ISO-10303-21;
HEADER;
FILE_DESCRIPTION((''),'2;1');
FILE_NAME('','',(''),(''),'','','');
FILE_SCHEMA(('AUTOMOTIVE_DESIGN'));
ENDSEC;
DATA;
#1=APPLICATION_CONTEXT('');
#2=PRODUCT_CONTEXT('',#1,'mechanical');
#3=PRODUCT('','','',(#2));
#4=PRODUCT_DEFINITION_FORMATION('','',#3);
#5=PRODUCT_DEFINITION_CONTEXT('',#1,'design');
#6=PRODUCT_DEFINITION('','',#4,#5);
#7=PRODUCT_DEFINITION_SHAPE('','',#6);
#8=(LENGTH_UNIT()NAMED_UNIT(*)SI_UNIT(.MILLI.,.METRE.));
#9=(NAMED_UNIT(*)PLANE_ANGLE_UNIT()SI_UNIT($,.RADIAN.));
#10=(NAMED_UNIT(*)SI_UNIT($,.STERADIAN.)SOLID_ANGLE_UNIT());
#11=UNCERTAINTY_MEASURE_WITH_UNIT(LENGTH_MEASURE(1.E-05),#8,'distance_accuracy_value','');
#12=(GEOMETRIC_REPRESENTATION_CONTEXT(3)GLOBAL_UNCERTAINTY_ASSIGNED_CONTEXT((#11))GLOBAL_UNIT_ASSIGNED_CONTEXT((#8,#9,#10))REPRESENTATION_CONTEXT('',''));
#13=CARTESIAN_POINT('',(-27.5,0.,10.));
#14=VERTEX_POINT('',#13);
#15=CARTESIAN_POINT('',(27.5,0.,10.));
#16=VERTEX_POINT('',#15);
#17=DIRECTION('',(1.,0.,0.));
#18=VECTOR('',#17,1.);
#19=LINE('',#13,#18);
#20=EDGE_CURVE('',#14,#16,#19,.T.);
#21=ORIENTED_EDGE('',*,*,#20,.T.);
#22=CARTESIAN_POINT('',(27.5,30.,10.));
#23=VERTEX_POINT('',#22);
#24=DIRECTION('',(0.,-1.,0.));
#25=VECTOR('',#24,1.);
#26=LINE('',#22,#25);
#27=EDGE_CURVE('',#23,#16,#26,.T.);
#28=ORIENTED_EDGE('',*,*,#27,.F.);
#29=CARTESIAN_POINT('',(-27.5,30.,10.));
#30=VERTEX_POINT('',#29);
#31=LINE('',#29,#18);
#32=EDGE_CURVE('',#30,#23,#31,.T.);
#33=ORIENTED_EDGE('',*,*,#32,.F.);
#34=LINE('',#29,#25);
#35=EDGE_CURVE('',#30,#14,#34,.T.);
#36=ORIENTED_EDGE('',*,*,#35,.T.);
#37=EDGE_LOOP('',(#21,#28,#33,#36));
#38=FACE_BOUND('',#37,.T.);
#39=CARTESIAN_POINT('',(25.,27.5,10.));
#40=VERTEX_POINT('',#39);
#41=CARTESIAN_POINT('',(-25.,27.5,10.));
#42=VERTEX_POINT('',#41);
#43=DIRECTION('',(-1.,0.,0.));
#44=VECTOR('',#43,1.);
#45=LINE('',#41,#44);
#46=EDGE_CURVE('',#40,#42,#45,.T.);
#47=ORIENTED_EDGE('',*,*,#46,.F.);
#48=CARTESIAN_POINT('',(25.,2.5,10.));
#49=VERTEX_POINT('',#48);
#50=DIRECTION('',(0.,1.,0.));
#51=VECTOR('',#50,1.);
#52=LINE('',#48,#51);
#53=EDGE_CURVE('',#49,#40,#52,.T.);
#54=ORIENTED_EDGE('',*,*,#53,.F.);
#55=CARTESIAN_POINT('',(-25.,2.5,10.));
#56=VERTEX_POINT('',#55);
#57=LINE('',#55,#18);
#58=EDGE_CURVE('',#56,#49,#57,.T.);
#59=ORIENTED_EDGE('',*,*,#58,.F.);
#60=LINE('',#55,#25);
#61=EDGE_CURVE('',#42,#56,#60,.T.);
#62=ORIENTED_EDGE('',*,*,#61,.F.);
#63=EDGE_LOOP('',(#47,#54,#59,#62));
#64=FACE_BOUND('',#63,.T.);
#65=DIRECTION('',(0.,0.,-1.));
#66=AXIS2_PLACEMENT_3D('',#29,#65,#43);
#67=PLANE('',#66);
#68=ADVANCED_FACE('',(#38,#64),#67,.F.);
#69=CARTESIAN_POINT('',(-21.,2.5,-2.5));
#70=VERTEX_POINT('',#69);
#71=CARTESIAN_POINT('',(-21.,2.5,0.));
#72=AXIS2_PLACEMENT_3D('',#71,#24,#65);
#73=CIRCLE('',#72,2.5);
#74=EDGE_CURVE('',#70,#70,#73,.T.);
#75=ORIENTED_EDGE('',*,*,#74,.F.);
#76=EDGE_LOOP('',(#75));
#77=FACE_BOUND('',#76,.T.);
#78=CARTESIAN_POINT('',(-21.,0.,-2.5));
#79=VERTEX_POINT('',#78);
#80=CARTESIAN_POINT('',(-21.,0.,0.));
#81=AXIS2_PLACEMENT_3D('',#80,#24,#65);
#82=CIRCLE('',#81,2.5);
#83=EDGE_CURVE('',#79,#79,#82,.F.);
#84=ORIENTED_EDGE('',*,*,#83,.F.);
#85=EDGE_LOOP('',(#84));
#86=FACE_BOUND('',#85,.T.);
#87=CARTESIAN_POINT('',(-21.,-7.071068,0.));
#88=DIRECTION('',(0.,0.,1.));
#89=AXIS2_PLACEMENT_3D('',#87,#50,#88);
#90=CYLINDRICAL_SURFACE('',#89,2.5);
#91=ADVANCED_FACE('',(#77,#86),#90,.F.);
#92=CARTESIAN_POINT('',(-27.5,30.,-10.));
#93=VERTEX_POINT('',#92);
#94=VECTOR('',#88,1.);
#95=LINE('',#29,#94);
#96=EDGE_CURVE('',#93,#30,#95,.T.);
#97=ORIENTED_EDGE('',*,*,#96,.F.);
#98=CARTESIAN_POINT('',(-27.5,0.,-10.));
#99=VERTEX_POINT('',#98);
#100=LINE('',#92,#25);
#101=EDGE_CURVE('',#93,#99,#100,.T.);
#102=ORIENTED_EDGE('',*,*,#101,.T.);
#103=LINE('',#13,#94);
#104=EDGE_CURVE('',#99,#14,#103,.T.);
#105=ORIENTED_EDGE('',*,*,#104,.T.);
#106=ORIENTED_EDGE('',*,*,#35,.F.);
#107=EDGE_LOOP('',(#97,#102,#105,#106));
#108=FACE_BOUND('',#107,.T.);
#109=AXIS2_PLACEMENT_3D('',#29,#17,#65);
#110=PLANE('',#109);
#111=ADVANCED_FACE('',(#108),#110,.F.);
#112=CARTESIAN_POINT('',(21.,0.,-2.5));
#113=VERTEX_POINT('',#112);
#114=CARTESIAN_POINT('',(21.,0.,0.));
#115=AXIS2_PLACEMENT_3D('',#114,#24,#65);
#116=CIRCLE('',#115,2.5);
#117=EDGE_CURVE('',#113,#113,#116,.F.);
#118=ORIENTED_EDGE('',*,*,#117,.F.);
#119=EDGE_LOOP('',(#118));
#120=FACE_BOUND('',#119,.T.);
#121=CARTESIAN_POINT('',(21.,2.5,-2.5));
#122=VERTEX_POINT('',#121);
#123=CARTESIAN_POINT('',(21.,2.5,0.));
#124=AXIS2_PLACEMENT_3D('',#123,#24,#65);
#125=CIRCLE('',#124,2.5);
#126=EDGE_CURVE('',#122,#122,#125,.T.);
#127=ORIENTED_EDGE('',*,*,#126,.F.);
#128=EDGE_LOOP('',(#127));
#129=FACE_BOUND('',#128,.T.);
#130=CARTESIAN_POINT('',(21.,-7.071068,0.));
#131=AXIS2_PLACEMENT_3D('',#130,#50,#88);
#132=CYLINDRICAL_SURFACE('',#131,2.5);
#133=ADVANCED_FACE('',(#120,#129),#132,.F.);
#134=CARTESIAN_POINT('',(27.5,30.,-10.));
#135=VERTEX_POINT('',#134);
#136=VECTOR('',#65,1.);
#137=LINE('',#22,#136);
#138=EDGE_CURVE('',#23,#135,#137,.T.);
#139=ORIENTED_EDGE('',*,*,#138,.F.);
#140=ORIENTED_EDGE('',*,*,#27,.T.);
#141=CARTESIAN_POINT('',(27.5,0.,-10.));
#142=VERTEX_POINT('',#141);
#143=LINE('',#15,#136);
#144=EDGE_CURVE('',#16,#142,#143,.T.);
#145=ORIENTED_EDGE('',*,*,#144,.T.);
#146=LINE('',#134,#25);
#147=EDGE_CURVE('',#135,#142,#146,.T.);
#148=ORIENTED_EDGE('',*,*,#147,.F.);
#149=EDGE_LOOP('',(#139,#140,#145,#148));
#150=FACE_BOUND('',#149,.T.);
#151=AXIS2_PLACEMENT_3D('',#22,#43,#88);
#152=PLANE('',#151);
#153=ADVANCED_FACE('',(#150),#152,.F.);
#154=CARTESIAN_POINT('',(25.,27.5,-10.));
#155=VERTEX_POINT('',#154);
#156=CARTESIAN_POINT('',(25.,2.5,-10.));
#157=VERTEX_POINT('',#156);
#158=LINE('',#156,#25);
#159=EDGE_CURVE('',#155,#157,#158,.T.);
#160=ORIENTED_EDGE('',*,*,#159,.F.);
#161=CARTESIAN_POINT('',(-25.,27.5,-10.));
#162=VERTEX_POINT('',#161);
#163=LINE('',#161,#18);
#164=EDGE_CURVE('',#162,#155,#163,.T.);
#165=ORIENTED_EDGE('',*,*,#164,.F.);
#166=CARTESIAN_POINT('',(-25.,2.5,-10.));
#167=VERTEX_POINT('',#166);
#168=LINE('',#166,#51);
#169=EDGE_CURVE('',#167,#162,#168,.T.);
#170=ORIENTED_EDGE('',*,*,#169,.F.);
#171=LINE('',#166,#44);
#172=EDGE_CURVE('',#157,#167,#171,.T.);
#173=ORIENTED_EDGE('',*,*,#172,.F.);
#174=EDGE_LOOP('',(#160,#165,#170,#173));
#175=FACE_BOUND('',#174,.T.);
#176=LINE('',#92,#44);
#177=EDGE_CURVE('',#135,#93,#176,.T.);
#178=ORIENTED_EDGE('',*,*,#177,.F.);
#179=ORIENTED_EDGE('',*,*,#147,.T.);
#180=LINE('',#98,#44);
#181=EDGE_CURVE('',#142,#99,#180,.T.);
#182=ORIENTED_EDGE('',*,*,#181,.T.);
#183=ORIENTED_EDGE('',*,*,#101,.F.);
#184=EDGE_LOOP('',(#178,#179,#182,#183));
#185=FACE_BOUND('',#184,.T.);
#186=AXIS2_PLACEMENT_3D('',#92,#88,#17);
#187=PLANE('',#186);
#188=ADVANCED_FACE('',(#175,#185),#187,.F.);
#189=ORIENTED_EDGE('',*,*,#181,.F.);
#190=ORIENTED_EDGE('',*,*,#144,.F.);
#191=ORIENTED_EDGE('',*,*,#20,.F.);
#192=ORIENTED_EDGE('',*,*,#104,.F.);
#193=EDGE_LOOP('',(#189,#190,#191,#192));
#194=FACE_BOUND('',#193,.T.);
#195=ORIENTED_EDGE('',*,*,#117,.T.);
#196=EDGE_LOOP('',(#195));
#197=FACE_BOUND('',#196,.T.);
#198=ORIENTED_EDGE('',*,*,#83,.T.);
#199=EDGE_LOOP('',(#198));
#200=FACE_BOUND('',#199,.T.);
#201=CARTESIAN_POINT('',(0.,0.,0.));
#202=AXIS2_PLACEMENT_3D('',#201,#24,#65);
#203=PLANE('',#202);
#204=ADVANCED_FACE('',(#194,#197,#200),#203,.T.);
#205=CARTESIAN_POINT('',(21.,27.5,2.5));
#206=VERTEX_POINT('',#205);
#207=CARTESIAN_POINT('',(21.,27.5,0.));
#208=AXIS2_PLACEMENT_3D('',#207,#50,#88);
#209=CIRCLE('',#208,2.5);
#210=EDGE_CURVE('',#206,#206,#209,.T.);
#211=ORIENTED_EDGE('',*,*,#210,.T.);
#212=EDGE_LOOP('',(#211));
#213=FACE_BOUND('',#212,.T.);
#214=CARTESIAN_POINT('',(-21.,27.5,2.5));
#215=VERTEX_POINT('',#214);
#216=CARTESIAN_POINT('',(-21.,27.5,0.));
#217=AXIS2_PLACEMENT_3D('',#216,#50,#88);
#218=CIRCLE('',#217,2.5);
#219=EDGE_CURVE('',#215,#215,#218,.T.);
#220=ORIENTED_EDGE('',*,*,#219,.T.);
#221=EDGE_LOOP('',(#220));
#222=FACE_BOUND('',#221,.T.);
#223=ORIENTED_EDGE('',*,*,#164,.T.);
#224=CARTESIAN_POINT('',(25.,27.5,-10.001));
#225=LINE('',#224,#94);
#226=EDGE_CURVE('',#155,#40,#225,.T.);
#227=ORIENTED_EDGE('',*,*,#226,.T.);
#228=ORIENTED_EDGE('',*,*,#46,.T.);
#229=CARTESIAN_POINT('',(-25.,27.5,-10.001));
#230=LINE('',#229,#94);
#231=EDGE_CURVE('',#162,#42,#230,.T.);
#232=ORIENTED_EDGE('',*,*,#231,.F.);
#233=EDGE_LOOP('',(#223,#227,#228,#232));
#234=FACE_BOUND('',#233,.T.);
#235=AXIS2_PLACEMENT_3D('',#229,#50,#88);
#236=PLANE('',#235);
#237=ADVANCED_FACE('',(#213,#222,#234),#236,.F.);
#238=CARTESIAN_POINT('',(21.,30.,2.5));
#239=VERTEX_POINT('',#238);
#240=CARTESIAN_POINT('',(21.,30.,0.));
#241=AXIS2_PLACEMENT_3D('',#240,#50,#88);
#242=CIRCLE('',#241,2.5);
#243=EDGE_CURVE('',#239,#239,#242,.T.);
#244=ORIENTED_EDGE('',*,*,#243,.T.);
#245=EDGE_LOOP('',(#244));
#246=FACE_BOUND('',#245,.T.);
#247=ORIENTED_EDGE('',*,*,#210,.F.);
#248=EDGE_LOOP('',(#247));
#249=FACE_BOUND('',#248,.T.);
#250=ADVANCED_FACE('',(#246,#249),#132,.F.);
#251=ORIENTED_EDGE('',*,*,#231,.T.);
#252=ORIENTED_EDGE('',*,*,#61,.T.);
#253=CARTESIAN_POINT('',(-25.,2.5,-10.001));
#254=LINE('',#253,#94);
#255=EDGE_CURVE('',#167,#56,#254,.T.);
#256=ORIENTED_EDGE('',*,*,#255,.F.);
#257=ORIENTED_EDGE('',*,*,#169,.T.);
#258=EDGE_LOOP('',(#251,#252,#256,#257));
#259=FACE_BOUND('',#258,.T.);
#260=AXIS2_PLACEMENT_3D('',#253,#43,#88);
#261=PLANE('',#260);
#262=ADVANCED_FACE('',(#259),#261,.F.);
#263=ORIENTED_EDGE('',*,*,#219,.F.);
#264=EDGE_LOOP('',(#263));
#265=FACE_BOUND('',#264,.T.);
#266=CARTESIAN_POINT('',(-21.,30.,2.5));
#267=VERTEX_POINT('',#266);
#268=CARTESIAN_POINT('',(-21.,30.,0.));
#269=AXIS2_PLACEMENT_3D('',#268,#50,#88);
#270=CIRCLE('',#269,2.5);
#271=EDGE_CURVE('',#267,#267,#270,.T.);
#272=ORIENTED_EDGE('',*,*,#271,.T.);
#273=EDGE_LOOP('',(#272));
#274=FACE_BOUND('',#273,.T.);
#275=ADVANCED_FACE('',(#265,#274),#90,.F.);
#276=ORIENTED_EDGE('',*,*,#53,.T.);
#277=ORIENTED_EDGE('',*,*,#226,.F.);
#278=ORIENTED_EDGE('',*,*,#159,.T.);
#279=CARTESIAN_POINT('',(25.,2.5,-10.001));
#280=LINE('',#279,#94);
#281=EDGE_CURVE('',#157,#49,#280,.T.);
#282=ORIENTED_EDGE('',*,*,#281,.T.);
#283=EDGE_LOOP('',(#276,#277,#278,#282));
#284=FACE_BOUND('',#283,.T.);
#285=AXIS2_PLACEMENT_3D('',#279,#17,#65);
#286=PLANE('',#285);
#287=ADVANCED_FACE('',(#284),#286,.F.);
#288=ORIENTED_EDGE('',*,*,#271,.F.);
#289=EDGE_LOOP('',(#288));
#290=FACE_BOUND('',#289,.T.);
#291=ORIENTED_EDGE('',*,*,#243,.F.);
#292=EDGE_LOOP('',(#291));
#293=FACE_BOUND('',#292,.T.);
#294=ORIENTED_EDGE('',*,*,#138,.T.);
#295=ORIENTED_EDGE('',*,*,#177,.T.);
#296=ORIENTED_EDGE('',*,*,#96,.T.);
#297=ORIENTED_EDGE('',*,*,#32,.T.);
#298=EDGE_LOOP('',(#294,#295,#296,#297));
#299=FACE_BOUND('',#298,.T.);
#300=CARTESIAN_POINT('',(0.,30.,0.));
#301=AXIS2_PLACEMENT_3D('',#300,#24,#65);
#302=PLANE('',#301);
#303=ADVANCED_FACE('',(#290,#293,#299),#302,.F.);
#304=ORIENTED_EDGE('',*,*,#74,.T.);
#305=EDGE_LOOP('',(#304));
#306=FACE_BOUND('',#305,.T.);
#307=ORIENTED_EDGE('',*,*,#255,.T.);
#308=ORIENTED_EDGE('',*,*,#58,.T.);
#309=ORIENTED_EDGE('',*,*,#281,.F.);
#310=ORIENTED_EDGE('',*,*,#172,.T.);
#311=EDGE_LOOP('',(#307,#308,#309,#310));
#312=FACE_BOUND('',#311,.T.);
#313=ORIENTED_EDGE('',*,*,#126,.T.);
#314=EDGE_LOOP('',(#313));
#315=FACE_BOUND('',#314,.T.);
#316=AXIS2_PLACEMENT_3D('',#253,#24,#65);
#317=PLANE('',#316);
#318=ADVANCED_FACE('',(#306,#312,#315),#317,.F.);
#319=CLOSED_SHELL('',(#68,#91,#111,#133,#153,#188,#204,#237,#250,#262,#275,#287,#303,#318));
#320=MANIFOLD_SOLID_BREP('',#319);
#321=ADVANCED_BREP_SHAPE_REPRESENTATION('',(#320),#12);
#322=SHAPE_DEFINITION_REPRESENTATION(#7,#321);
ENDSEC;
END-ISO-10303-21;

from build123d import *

# Parameters (mm, degrees)
SKETCH_1_W          = 55
SKETCH_1_H          = 20
EXTRUDE_1_DEPTH     = 30
CUT_EXTRUDE_1_REACH = 47.346
SKETCH_2_W          = 50
SKETCH_2_H          = 25
CUT_EXTRUDE_2_REACH = 43.908
SKETCH_3_R          = 2.5


with BuildPart() as part:
    # 草图1 → 凸台-拉伸1 (new body)
    with BuildSketch(Plane(origin=(0, 0, 0), x_dir=(1, 0, 0), z_dir=(0, 1, 0))):
        Rectangle(SKETCH_1_W, SKETCH_1_H)
    extrude(amount=EXTRUDE_1_DEPTH)

    # 草图2 → 切除-拉伸1 (cut, up to next)
    with BuildSketch(Plane.XY.offset(10), mode=Mode.PRIVATE) as cut_extrude_1_sk1:
        with Locations((0, 15)):
            Rectangle(SKETCH_2_W, SKETCH_2_H)
    cut_extrude_1_tool1 = extrude(cut_extrude_1_sk1.sketch, amount=-CUT_EXTRUDE_1_REACH, mode=Mode.PRIVATE) & part.part
    add(cut_extrude_1_tool1.solids().sort_by_distance((0, 15, 10))[0], mode=Mode.SUBTRACT)

    # 切除-拉伸2: up to this face of the body (flat: up to its plane)
    cut_extrude_2_end = Plane(part.part.faces().sort_by_distance((0, 0, 0))[0])
    # 草图3 → 切除-拉伸2 (cut, up to the picked face)
    with BuildSketch(Plane(origin=(0, 30, 0), x_dir=(1, 0, 0), z_dir=(0, 1, 0)), mode=Mode.PRIVATE) as cut_extrude_2_sk1:
        with Locations(Location((-21, 0, 0), (0, 0, 270))):
            Circle(SKETCH_3_R)
    cut_extrude_2_tool1 = split(extrude(cut_extrude_2_sk1.sketch, amount=-CUT_EXTRUDE_2_REACH, mode=Mode.PRIVATE), bisect_by=cut_extrude_2_end, keep=Keep.BOTH, mode=Mode.PRIVATE)
    # 草图3 → 切除-拉伸2 (cut, up to the picked face)
    with BuildSketch(Plane(origin=(0, 30, 0), x_dir=(1, 0, 0), z_dir=(0, 1, 0)), mode=Mode.PRIVATE) as cut_extrude_2_sk2:
        with Locations(Location((21, 0, 0), (0, 0, 270))):
            Circle(SKETCH_3_R)
    cut_extrude_2_tool2 = split(extrude(cut_extrude_2_sk2.sketch, amount=-CUT_EXTRUDE_2_REACH, mode=Mode.PRIVATE), bisect_by=cut_extrude_2_end, keep=Keep.BOTH, mode=Mode.PRIVATE)
    add(cut_extrude_2_tool1.solids().sort_by(Axis((-21, 30, 0), (0, -1, 0)))[0], mode=Mode.SUBTRACT)
    add(cut_extrude_2_tool2.solids().sort_by(Axis((21, 30, 0), (0, -1, 0)))[0], mode=Mode.SUBTRACT)


solid = part.part
